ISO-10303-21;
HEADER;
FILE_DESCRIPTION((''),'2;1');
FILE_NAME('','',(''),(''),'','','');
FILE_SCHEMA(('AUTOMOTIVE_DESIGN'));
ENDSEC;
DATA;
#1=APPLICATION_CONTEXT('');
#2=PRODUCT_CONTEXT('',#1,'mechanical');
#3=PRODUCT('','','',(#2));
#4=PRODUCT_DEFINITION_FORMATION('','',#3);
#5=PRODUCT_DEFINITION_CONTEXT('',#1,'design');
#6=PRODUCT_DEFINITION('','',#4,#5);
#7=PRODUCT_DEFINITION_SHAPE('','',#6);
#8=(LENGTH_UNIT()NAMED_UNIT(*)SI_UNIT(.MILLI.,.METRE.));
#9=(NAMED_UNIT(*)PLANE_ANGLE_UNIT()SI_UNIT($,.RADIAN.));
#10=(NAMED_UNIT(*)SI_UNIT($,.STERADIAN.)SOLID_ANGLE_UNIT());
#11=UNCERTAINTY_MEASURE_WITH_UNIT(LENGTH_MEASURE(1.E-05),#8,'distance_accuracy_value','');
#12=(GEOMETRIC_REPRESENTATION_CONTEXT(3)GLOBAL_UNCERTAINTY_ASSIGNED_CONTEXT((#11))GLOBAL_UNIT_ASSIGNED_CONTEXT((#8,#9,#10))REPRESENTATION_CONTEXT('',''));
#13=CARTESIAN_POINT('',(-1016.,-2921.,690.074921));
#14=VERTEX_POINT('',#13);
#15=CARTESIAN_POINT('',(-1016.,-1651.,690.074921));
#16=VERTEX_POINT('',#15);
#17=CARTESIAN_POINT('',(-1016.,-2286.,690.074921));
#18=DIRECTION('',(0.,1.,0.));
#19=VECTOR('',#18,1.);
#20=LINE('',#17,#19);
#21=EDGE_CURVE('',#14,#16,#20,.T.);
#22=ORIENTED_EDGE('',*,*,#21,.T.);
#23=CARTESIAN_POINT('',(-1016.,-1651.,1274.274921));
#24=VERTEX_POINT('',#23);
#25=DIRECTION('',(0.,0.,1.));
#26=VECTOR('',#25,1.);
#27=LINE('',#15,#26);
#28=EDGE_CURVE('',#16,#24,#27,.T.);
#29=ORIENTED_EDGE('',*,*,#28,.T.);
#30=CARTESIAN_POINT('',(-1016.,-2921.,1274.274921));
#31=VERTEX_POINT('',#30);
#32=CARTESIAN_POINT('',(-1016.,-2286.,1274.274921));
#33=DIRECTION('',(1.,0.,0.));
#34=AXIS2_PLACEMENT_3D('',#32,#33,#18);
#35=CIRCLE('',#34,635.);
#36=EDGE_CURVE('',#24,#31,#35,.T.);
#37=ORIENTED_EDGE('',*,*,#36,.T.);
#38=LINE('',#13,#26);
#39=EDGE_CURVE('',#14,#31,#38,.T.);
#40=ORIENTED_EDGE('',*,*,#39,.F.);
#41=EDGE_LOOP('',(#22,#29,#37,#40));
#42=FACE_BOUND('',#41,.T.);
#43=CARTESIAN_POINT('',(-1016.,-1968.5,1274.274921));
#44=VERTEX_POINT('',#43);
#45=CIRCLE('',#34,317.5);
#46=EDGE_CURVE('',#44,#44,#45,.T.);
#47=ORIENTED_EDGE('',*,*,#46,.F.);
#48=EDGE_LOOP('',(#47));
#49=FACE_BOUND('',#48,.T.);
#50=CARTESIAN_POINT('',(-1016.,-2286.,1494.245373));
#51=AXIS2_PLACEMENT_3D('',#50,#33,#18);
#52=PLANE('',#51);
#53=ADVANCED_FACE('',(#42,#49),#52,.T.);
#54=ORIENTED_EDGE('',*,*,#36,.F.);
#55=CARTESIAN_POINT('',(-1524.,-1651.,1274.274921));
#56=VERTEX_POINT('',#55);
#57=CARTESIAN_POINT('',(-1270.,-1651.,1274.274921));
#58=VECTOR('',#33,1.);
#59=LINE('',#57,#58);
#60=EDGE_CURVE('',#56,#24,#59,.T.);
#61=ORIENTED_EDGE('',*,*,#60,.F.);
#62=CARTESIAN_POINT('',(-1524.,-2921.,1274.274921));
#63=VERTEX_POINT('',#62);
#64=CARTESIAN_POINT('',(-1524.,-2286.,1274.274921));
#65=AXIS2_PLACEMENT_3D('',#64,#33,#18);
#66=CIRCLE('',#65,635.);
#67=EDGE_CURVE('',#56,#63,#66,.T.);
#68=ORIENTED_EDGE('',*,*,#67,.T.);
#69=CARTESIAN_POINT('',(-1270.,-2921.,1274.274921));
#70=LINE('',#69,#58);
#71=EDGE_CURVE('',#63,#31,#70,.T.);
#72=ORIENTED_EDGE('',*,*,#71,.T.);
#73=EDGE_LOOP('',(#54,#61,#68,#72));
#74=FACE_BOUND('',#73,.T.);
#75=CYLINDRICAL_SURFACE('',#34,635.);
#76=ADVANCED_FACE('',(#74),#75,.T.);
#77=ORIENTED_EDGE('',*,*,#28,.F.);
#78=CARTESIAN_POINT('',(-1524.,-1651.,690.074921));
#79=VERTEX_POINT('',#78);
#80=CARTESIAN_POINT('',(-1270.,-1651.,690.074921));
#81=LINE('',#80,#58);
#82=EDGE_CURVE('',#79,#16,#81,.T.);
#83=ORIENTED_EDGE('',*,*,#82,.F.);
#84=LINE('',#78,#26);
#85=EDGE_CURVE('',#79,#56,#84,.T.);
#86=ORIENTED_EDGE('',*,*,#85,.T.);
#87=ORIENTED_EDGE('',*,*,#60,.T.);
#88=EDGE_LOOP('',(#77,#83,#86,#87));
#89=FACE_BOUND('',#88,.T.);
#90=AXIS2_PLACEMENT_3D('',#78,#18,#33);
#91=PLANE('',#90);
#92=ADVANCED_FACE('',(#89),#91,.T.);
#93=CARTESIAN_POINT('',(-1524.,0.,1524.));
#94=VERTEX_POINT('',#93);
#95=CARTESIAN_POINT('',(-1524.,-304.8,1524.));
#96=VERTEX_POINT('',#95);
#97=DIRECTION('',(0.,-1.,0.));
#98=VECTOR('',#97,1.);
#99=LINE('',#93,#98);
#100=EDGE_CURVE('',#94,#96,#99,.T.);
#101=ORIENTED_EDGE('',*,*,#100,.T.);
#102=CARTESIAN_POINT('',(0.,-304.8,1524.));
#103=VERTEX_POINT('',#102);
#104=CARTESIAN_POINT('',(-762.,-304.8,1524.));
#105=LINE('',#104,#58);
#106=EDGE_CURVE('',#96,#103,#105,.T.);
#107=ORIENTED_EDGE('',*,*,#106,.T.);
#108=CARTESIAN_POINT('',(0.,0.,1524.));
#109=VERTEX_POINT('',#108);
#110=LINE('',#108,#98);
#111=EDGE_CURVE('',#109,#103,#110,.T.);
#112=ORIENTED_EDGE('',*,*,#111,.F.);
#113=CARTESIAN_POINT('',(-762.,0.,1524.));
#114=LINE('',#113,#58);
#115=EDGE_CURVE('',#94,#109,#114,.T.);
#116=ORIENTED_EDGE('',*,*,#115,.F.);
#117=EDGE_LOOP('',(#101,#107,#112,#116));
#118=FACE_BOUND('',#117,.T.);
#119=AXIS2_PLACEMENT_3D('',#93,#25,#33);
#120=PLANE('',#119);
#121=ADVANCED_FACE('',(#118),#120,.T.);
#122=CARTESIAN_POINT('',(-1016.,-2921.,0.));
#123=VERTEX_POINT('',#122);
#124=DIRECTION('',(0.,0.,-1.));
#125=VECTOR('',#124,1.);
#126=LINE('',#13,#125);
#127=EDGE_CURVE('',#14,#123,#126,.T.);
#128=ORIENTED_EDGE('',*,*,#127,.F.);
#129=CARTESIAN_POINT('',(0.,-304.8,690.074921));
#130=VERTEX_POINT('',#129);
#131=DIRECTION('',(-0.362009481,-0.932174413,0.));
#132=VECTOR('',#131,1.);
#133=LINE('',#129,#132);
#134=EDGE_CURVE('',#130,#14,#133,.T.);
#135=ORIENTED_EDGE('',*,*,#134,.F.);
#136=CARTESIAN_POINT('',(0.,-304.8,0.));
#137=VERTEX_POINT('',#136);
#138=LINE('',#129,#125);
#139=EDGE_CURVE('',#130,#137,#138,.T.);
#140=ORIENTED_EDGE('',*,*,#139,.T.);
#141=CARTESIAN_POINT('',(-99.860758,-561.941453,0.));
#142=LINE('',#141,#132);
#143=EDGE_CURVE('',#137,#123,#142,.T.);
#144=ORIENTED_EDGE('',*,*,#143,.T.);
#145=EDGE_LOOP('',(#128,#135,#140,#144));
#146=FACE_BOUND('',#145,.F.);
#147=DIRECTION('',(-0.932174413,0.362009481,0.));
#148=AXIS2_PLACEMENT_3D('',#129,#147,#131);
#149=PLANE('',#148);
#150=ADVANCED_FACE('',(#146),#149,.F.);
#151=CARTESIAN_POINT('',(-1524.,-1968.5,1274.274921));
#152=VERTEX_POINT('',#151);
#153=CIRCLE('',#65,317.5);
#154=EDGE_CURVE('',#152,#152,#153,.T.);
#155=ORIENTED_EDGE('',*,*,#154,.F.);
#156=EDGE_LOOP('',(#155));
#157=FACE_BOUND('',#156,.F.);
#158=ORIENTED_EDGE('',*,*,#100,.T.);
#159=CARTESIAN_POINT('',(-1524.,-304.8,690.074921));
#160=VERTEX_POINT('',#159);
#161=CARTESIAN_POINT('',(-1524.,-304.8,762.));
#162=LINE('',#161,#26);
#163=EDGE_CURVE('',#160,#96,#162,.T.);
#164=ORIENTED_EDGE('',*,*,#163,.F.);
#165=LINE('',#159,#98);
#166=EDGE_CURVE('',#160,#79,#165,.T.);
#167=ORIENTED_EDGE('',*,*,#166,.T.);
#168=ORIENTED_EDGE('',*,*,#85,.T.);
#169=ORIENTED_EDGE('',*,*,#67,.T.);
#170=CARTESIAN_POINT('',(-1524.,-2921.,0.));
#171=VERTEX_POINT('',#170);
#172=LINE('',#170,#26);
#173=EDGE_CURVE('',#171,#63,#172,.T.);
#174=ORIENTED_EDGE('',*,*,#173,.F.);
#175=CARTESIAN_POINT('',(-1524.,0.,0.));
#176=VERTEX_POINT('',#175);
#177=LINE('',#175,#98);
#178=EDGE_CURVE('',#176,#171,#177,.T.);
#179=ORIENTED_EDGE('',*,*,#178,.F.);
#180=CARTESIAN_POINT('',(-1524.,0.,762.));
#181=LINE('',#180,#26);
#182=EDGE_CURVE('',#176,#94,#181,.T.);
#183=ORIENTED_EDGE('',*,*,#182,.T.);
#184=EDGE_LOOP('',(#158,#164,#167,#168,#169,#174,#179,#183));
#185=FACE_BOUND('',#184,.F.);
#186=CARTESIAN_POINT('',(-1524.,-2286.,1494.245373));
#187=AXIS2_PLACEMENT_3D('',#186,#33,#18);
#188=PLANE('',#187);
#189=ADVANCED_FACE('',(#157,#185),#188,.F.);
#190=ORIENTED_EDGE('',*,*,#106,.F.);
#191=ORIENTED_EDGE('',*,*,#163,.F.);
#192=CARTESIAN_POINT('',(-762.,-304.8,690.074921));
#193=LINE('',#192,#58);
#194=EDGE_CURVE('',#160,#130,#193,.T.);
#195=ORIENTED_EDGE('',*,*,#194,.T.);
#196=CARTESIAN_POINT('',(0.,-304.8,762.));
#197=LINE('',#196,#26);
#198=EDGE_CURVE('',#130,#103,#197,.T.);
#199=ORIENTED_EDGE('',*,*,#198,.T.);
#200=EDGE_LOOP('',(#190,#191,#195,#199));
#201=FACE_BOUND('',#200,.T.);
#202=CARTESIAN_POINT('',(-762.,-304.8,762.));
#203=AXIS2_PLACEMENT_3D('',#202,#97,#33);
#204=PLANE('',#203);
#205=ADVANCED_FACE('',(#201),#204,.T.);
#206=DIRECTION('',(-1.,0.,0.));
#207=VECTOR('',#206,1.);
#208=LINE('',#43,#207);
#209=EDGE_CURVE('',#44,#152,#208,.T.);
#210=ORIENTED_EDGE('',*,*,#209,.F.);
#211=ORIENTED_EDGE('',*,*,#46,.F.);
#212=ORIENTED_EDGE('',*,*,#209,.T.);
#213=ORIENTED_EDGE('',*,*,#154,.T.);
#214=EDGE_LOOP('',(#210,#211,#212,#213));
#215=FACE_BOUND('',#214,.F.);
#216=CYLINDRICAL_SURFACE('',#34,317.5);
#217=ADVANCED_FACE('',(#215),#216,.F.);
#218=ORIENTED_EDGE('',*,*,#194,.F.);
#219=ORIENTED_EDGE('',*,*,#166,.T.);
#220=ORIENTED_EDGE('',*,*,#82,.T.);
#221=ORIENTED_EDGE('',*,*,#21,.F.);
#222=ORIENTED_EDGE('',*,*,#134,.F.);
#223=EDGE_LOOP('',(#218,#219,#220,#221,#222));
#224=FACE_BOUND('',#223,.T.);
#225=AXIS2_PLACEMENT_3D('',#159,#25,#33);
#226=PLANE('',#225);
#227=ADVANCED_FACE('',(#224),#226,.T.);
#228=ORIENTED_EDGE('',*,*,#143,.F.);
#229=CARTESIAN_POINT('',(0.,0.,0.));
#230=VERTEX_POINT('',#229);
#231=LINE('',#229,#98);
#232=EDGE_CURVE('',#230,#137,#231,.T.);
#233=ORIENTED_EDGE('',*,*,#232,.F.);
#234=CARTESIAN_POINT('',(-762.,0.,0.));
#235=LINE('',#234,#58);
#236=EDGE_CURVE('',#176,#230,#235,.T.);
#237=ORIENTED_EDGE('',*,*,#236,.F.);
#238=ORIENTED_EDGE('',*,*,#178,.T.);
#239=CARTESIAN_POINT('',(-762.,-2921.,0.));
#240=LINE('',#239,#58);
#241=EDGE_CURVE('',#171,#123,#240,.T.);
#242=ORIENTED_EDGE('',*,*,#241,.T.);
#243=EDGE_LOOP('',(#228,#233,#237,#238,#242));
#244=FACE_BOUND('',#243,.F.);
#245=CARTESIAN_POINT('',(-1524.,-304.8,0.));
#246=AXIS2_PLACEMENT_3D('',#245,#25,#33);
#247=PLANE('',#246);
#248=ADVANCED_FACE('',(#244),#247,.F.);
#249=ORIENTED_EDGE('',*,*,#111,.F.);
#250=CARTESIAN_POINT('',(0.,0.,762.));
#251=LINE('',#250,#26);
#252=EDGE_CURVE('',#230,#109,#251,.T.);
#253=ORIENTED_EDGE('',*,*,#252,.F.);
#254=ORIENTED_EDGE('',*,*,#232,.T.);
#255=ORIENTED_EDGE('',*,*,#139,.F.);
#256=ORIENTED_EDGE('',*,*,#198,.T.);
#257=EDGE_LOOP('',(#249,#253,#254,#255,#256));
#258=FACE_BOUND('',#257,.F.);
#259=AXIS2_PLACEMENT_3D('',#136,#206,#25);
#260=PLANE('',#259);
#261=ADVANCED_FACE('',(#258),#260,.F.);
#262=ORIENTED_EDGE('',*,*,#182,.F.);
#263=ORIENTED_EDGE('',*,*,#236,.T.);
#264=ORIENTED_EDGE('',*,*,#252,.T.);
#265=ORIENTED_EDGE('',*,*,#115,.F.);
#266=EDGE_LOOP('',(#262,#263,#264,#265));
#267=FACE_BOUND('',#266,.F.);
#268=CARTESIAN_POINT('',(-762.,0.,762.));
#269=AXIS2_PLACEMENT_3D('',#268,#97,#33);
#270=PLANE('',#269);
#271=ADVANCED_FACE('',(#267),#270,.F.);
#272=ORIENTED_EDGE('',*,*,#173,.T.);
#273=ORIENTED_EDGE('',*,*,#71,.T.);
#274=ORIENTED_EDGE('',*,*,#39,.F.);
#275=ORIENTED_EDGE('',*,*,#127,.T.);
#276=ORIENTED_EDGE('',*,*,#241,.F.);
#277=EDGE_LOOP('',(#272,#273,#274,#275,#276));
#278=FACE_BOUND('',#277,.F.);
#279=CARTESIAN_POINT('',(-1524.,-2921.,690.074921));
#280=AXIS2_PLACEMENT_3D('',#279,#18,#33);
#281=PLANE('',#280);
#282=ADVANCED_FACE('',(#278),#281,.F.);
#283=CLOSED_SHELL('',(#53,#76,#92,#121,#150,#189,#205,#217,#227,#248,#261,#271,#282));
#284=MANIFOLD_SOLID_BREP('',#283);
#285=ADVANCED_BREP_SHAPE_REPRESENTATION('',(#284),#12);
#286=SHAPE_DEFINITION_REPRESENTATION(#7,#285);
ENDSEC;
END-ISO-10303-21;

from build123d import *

# Parameters (mm, degrees)
F0_W      = 1524
F0_H      = 1524
F1_DEPTH  = 304.8
F2_W      = 1524
F2_H      = 690.0749206543
F3_DEPTH  = 2616.2
F4_W      = 508
F4_H      = 1270
F5_DEPTH  = 584.2
F7_DEPTH  = 508
F10_R     = 317.5
F11_DEPTH = 812.8
F12_DEPTH = 1864.36


with BuildPart() as f1:
    # F0 (on Front) → F1 (new body)
    with BuildSketch(Plane.XZ):
        with Locations((-762, 762)):
            Rectangle(F0_W, F0_H)
    extrude(amount=F1_DEPTH)

    # F2 (on face) → F3 (join)
    with BuildSketch(Plane.XZ.offset(304.8)):
        with Locations((-762, 345.0374603271)):
            Rectangle(F2_W, F2_H)
    extrude(amount=F3_DEPTH)

    # F4 (on face) → F5 (join)
    with BuildSketch(Plane.XY.offset(690.0749206543)):
        with Locations((-1270, -2286)):
            Rectangle(F4_W, F4_H)
    extrude(amount=F5_DEPTH)

    # F6 (on face) → F7 (join)
    with BuildSketch(Plane.YZ.offset(-1016)):
        with BuildLine():
            Line((-2921, 1274.2749206543), (-1651, 1274.2749206543))
            ThreePointArc((-1651, 1274.2749206543), (-2286, 1909.2749206543), (-2921, 1274.2749206543))
        make_face()
    extrude(amount=-F7_DEPTH)

    # F10 (on face) → F11 (cut)
    with BuildSketch(Plane.YZ.offset(-1016)):
        with Locations((-2286, 1274.2749206543)):
            Circle(F10_R)
    extrude(amount=-F11_DEPTH, mode=Mode.SUBTRACT)

    # F9 (on face) → F12 (cut)
    with BuildSketch(Plane.XY.offset(690.0749206543)):
        Polygon((0, -304.8), (-1016, -2921), (0, -2921), align=None)
    extrude(amount=-F12_DEPTH, mode=Mode.SUBTRACT)


solid = f1.part
